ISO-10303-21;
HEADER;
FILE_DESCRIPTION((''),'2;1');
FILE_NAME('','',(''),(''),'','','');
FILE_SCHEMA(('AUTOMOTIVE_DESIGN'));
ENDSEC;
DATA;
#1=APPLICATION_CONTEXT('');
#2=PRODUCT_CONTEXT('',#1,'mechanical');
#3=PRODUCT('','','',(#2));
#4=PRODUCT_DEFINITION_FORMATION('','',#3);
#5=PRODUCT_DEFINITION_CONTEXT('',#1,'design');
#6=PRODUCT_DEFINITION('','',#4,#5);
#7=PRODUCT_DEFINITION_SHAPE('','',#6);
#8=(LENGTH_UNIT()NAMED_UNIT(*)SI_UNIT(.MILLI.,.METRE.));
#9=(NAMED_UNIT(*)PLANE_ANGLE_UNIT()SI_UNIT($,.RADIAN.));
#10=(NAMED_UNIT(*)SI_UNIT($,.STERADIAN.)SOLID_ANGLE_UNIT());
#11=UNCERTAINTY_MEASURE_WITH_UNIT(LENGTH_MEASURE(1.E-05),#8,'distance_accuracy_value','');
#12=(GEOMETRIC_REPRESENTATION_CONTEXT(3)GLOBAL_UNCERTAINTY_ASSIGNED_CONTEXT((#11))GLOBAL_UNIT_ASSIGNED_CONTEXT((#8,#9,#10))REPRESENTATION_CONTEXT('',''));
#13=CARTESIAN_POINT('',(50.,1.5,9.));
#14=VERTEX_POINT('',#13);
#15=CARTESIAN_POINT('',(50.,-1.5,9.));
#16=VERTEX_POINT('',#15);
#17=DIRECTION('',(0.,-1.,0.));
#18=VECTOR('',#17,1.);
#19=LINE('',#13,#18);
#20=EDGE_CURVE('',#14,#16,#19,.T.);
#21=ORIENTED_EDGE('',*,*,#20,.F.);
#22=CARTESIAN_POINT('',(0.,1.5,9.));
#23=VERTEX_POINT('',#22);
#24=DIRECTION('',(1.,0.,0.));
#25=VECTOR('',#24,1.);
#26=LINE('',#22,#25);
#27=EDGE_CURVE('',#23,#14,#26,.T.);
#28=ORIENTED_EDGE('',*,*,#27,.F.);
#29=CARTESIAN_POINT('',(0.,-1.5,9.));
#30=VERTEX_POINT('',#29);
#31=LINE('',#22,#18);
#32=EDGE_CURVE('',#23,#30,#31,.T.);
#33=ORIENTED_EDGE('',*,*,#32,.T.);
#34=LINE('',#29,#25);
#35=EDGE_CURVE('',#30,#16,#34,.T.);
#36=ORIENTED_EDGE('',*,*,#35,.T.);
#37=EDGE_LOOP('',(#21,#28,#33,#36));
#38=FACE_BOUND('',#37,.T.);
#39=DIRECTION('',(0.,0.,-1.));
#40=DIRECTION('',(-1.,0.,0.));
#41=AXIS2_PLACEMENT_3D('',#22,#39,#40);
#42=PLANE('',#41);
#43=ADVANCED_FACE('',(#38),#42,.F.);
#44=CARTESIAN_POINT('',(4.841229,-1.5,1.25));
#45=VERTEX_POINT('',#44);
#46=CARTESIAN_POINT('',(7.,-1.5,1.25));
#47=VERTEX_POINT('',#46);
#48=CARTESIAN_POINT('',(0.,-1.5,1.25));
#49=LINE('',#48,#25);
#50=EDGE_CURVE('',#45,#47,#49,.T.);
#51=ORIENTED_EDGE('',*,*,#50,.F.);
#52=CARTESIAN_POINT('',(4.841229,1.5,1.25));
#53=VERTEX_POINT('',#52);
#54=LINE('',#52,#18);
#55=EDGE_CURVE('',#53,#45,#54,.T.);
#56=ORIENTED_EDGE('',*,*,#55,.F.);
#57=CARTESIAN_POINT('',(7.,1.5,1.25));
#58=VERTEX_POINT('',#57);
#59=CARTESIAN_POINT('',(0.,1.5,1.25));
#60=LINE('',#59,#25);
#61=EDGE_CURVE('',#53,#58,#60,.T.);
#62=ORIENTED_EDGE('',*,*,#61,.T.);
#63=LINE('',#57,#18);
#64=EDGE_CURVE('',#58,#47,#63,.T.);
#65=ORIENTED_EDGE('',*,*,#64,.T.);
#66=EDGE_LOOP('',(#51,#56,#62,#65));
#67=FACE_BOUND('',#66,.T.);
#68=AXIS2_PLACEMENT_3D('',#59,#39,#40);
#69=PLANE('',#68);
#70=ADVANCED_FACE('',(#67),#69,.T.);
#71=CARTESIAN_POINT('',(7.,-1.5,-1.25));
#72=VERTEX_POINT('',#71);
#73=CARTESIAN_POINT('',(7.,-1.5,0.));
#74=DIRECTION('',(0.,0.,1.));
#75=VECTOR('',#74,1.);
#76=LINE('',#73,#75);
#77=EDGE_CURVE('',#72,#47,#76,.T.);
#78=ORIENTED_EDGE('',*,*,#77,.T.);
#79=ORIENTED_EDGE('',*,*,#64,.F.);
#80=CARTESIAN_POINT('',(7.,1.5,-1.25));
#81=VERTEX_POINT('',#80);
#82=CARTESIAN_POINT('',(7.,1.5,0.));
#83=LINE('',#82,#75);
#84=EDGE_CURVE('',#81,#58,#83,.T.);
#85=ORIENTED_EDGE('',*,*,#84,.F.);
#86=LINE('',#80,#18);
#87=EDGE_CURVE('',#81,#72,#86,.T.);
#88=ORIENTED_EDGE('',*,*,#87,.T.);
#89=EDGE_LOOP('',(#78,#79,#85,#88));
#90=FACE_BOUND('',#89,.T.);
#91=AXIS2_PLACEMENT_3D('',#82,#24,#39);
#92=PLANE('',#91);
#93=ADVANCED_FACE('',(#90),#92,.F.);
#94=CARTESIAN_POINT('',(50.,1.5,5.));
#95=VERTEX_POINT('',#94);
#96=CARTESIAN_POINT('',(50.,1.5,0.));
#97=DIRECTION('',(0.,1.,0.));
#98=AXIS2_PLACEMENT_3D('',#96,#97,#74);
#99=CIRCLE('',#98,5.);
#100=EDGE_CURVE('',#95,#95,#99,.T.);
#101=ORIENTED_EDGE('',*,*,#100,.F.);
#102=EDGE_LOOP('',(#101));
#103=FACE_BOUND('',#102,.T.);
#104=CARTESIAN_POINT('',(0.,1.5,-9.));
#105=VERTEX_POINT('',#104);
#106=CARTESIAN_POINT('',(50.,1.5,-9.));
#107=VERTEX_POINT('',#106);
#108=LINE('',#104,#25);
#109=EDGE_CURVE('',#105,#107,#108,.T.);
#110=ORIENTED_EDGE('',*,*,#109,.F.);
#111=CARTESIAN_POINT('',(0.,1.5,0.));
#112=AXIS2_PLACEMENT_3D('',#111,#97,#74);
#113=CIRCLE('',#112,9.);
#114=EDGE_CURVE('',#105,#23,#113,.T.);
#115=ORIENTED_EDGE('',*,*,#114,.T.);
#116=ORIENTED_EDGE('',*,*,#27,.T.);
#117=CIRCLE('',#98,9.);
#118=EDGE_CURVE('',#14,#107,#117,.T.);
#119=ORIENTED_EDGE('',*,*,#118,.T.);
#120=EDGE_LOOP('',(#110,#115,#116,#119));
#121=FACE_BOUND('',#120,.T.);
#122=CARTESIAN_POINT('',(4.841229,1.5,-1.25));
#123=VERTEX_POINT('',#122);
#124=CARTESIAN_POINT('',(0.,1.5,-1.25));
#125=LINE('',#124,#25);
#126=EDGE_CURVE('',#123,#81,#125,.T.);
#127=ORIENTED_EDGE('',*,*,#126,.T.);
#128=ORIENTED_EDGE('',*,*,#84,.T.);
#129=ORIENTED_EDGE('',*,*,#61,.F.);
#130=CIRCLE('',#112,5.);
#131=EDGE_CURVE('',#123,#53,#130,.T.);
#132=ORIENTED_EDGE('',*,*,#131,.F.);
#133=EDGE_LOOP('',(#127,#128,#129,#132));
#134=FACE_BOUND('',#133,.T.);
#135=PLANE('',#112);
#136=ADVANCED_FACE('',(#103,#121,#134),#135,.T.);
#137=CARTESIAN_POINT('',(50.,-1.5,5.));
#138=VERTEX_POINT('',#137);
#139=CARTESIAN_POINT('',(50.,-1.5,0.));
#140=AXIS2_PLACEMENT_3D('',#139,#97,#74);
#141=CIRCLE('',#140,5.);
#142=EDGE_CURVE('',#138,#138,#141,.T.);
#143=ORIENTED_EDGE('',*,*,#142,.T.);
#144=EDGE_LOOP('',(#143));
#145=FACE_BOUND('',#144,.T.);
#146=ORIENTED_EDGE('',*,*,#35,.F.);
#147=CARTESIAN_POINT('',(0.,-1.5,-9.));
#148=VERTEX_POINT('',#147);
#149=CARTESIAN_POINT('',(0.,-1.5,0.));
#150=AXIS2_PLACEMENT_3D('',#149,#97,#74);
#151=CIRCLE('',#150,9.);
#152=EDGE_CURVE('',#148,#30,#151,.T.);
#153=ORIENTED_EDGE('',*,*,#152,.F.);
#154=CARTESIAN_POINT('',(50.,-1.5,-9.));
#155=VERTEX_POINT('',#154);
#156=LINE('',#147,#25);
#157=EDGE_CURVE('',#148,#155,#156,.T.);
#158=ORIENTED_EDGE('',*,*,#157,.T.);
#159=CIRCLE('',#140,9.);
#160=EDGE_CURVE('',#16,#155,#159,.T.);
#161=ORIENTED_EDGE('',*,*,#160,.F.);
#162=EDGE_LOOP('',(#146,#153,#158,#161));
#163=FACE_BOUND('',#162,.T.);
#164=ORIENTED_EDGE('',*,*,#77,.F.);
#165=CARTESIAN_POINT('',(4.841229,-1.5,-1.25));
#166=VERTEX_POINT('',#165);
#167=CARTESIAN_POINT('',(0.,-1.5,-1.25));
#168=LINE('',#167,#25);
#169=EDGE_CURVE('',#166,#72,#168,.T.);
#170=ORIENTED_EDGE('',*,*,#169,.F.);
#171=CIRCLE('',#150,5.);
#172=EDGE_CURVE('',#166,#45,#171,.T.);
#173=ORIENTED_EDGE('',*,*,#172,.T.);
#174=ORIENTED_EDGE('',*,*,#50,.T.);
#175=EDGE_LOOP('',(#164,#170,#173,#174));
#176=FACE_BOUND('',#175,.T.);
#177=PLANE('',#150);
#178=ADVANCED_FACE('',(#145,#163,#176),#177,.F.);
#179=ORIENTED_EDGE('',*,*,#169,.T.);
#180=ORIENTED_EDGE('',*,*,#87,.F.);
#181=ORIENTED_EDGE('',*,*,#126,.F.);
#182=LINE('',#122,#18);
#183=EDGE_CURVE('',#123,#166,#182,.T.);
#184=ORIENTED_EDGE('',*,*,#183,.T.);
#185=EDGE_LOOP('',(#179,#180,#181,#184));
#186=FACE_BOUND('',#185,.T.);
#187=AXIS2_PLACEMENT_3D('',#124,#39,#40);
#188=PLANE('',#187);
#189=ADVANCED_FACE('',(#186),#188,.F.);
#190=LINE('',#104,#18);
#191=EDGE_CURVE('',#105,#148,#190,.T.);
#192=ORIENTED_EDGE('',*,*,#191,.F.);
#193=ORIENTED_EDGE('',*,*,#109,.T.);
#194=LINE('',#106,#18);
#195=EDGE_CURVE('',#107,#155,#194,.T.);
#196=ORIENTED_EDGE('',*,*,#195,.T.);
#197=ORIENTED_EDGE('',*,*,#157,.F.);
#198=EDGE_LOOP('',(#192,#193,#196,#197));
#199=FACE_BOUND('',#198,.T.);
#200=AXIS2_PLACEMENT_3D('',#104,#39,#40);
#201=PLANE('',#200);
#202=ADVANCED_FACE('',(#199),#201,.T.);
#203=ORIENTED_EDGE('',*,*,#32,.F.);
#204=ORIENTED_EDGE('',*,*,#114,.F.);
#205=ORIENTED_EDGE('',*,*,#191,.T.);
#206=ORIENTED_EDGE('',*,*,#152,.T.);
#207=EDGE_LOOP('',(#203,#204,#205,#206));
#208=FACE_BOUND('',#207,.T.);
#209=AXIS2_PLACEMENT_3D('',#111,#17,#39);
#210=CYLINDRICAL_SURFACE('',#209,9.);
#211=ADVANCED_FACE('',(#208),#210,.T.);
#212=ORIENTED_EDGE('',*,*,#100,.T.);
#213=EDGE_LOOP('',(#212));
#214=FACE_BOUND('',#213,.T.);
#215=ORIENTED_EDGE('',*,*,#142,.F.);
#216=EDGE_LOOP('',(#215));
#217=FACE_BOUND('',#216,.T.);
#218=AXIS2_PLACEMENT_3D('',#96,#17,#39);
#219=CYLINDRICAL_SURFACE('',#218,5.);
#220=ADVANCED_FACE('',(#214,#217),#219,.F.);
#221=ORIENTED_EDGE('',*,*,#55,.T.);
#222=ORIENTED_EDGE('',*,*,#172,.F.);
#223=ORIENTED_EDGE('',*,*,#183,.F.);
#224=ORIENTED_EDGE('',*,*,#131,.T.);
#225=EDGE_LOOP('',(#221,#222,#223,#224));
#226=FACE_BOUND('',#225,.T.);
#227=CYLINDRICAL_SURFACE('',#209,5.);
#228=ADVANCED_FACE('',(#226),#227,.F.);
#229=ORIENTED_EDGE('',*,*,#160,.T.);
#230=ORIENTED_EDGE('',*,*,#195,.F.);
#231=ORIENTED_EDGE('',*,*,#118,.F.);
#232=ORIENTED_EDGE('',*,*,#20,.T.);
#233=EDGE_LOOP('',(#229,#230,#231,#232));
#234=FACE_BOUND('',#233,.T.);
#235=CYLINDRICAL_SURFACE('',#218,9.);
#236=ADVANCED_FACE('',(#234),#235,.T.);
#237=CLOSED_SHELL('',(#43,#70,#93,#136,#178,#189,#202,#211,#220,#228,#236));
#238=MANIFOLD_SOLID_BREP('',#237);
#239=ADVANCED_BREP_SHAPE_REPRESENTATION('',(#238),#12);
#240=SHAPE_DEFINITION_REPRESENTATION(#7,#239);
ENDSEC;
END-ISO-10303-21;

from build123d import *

# Parameters (mm, degrees)
SKETCH1_R           = 5
BOSS_EXTRUDE1_DEPTH = 1.5


with BuildPart() as part:
    # Sketch1 → Boss-Extrude1 (new, symmetric)
    with BuildSketch(Plane(origin=(0, 0, 0), x_dir=(1, 0, 0), z_dir=(0, 1, 0))):
        with BuildLine():
            Line((50, 9), (0, 9))
            ThreePointArc((0, 9), (-9, 0), (0, -9))
            Line((0, -9), (50, -9))
            ThreePointArc((50, -9), (59, 0), (50, 9))
        make_face()
        with BuildLine():
            ThreePointArc((4.841229183, -1.25), (-5, 0), (4.841229183, 1.25))
            Line((4.841229183, 1.25), (7, 1.25))
            Line((7, 1.25), (7, -1.25))
            Line((7, -1.25), (4.841229183, -1.25))
        make_face(mode=Mode.SUBTRACT)
        with Locations(Location((50, 0, 0), (0, 0, 270))):
            Circle(SKETCH1_R, mode=Mode.SUBTRACT)
    extrude(amount=BOSS_EXTRUDE1_DEPTH, both=True)


solid = part.part
